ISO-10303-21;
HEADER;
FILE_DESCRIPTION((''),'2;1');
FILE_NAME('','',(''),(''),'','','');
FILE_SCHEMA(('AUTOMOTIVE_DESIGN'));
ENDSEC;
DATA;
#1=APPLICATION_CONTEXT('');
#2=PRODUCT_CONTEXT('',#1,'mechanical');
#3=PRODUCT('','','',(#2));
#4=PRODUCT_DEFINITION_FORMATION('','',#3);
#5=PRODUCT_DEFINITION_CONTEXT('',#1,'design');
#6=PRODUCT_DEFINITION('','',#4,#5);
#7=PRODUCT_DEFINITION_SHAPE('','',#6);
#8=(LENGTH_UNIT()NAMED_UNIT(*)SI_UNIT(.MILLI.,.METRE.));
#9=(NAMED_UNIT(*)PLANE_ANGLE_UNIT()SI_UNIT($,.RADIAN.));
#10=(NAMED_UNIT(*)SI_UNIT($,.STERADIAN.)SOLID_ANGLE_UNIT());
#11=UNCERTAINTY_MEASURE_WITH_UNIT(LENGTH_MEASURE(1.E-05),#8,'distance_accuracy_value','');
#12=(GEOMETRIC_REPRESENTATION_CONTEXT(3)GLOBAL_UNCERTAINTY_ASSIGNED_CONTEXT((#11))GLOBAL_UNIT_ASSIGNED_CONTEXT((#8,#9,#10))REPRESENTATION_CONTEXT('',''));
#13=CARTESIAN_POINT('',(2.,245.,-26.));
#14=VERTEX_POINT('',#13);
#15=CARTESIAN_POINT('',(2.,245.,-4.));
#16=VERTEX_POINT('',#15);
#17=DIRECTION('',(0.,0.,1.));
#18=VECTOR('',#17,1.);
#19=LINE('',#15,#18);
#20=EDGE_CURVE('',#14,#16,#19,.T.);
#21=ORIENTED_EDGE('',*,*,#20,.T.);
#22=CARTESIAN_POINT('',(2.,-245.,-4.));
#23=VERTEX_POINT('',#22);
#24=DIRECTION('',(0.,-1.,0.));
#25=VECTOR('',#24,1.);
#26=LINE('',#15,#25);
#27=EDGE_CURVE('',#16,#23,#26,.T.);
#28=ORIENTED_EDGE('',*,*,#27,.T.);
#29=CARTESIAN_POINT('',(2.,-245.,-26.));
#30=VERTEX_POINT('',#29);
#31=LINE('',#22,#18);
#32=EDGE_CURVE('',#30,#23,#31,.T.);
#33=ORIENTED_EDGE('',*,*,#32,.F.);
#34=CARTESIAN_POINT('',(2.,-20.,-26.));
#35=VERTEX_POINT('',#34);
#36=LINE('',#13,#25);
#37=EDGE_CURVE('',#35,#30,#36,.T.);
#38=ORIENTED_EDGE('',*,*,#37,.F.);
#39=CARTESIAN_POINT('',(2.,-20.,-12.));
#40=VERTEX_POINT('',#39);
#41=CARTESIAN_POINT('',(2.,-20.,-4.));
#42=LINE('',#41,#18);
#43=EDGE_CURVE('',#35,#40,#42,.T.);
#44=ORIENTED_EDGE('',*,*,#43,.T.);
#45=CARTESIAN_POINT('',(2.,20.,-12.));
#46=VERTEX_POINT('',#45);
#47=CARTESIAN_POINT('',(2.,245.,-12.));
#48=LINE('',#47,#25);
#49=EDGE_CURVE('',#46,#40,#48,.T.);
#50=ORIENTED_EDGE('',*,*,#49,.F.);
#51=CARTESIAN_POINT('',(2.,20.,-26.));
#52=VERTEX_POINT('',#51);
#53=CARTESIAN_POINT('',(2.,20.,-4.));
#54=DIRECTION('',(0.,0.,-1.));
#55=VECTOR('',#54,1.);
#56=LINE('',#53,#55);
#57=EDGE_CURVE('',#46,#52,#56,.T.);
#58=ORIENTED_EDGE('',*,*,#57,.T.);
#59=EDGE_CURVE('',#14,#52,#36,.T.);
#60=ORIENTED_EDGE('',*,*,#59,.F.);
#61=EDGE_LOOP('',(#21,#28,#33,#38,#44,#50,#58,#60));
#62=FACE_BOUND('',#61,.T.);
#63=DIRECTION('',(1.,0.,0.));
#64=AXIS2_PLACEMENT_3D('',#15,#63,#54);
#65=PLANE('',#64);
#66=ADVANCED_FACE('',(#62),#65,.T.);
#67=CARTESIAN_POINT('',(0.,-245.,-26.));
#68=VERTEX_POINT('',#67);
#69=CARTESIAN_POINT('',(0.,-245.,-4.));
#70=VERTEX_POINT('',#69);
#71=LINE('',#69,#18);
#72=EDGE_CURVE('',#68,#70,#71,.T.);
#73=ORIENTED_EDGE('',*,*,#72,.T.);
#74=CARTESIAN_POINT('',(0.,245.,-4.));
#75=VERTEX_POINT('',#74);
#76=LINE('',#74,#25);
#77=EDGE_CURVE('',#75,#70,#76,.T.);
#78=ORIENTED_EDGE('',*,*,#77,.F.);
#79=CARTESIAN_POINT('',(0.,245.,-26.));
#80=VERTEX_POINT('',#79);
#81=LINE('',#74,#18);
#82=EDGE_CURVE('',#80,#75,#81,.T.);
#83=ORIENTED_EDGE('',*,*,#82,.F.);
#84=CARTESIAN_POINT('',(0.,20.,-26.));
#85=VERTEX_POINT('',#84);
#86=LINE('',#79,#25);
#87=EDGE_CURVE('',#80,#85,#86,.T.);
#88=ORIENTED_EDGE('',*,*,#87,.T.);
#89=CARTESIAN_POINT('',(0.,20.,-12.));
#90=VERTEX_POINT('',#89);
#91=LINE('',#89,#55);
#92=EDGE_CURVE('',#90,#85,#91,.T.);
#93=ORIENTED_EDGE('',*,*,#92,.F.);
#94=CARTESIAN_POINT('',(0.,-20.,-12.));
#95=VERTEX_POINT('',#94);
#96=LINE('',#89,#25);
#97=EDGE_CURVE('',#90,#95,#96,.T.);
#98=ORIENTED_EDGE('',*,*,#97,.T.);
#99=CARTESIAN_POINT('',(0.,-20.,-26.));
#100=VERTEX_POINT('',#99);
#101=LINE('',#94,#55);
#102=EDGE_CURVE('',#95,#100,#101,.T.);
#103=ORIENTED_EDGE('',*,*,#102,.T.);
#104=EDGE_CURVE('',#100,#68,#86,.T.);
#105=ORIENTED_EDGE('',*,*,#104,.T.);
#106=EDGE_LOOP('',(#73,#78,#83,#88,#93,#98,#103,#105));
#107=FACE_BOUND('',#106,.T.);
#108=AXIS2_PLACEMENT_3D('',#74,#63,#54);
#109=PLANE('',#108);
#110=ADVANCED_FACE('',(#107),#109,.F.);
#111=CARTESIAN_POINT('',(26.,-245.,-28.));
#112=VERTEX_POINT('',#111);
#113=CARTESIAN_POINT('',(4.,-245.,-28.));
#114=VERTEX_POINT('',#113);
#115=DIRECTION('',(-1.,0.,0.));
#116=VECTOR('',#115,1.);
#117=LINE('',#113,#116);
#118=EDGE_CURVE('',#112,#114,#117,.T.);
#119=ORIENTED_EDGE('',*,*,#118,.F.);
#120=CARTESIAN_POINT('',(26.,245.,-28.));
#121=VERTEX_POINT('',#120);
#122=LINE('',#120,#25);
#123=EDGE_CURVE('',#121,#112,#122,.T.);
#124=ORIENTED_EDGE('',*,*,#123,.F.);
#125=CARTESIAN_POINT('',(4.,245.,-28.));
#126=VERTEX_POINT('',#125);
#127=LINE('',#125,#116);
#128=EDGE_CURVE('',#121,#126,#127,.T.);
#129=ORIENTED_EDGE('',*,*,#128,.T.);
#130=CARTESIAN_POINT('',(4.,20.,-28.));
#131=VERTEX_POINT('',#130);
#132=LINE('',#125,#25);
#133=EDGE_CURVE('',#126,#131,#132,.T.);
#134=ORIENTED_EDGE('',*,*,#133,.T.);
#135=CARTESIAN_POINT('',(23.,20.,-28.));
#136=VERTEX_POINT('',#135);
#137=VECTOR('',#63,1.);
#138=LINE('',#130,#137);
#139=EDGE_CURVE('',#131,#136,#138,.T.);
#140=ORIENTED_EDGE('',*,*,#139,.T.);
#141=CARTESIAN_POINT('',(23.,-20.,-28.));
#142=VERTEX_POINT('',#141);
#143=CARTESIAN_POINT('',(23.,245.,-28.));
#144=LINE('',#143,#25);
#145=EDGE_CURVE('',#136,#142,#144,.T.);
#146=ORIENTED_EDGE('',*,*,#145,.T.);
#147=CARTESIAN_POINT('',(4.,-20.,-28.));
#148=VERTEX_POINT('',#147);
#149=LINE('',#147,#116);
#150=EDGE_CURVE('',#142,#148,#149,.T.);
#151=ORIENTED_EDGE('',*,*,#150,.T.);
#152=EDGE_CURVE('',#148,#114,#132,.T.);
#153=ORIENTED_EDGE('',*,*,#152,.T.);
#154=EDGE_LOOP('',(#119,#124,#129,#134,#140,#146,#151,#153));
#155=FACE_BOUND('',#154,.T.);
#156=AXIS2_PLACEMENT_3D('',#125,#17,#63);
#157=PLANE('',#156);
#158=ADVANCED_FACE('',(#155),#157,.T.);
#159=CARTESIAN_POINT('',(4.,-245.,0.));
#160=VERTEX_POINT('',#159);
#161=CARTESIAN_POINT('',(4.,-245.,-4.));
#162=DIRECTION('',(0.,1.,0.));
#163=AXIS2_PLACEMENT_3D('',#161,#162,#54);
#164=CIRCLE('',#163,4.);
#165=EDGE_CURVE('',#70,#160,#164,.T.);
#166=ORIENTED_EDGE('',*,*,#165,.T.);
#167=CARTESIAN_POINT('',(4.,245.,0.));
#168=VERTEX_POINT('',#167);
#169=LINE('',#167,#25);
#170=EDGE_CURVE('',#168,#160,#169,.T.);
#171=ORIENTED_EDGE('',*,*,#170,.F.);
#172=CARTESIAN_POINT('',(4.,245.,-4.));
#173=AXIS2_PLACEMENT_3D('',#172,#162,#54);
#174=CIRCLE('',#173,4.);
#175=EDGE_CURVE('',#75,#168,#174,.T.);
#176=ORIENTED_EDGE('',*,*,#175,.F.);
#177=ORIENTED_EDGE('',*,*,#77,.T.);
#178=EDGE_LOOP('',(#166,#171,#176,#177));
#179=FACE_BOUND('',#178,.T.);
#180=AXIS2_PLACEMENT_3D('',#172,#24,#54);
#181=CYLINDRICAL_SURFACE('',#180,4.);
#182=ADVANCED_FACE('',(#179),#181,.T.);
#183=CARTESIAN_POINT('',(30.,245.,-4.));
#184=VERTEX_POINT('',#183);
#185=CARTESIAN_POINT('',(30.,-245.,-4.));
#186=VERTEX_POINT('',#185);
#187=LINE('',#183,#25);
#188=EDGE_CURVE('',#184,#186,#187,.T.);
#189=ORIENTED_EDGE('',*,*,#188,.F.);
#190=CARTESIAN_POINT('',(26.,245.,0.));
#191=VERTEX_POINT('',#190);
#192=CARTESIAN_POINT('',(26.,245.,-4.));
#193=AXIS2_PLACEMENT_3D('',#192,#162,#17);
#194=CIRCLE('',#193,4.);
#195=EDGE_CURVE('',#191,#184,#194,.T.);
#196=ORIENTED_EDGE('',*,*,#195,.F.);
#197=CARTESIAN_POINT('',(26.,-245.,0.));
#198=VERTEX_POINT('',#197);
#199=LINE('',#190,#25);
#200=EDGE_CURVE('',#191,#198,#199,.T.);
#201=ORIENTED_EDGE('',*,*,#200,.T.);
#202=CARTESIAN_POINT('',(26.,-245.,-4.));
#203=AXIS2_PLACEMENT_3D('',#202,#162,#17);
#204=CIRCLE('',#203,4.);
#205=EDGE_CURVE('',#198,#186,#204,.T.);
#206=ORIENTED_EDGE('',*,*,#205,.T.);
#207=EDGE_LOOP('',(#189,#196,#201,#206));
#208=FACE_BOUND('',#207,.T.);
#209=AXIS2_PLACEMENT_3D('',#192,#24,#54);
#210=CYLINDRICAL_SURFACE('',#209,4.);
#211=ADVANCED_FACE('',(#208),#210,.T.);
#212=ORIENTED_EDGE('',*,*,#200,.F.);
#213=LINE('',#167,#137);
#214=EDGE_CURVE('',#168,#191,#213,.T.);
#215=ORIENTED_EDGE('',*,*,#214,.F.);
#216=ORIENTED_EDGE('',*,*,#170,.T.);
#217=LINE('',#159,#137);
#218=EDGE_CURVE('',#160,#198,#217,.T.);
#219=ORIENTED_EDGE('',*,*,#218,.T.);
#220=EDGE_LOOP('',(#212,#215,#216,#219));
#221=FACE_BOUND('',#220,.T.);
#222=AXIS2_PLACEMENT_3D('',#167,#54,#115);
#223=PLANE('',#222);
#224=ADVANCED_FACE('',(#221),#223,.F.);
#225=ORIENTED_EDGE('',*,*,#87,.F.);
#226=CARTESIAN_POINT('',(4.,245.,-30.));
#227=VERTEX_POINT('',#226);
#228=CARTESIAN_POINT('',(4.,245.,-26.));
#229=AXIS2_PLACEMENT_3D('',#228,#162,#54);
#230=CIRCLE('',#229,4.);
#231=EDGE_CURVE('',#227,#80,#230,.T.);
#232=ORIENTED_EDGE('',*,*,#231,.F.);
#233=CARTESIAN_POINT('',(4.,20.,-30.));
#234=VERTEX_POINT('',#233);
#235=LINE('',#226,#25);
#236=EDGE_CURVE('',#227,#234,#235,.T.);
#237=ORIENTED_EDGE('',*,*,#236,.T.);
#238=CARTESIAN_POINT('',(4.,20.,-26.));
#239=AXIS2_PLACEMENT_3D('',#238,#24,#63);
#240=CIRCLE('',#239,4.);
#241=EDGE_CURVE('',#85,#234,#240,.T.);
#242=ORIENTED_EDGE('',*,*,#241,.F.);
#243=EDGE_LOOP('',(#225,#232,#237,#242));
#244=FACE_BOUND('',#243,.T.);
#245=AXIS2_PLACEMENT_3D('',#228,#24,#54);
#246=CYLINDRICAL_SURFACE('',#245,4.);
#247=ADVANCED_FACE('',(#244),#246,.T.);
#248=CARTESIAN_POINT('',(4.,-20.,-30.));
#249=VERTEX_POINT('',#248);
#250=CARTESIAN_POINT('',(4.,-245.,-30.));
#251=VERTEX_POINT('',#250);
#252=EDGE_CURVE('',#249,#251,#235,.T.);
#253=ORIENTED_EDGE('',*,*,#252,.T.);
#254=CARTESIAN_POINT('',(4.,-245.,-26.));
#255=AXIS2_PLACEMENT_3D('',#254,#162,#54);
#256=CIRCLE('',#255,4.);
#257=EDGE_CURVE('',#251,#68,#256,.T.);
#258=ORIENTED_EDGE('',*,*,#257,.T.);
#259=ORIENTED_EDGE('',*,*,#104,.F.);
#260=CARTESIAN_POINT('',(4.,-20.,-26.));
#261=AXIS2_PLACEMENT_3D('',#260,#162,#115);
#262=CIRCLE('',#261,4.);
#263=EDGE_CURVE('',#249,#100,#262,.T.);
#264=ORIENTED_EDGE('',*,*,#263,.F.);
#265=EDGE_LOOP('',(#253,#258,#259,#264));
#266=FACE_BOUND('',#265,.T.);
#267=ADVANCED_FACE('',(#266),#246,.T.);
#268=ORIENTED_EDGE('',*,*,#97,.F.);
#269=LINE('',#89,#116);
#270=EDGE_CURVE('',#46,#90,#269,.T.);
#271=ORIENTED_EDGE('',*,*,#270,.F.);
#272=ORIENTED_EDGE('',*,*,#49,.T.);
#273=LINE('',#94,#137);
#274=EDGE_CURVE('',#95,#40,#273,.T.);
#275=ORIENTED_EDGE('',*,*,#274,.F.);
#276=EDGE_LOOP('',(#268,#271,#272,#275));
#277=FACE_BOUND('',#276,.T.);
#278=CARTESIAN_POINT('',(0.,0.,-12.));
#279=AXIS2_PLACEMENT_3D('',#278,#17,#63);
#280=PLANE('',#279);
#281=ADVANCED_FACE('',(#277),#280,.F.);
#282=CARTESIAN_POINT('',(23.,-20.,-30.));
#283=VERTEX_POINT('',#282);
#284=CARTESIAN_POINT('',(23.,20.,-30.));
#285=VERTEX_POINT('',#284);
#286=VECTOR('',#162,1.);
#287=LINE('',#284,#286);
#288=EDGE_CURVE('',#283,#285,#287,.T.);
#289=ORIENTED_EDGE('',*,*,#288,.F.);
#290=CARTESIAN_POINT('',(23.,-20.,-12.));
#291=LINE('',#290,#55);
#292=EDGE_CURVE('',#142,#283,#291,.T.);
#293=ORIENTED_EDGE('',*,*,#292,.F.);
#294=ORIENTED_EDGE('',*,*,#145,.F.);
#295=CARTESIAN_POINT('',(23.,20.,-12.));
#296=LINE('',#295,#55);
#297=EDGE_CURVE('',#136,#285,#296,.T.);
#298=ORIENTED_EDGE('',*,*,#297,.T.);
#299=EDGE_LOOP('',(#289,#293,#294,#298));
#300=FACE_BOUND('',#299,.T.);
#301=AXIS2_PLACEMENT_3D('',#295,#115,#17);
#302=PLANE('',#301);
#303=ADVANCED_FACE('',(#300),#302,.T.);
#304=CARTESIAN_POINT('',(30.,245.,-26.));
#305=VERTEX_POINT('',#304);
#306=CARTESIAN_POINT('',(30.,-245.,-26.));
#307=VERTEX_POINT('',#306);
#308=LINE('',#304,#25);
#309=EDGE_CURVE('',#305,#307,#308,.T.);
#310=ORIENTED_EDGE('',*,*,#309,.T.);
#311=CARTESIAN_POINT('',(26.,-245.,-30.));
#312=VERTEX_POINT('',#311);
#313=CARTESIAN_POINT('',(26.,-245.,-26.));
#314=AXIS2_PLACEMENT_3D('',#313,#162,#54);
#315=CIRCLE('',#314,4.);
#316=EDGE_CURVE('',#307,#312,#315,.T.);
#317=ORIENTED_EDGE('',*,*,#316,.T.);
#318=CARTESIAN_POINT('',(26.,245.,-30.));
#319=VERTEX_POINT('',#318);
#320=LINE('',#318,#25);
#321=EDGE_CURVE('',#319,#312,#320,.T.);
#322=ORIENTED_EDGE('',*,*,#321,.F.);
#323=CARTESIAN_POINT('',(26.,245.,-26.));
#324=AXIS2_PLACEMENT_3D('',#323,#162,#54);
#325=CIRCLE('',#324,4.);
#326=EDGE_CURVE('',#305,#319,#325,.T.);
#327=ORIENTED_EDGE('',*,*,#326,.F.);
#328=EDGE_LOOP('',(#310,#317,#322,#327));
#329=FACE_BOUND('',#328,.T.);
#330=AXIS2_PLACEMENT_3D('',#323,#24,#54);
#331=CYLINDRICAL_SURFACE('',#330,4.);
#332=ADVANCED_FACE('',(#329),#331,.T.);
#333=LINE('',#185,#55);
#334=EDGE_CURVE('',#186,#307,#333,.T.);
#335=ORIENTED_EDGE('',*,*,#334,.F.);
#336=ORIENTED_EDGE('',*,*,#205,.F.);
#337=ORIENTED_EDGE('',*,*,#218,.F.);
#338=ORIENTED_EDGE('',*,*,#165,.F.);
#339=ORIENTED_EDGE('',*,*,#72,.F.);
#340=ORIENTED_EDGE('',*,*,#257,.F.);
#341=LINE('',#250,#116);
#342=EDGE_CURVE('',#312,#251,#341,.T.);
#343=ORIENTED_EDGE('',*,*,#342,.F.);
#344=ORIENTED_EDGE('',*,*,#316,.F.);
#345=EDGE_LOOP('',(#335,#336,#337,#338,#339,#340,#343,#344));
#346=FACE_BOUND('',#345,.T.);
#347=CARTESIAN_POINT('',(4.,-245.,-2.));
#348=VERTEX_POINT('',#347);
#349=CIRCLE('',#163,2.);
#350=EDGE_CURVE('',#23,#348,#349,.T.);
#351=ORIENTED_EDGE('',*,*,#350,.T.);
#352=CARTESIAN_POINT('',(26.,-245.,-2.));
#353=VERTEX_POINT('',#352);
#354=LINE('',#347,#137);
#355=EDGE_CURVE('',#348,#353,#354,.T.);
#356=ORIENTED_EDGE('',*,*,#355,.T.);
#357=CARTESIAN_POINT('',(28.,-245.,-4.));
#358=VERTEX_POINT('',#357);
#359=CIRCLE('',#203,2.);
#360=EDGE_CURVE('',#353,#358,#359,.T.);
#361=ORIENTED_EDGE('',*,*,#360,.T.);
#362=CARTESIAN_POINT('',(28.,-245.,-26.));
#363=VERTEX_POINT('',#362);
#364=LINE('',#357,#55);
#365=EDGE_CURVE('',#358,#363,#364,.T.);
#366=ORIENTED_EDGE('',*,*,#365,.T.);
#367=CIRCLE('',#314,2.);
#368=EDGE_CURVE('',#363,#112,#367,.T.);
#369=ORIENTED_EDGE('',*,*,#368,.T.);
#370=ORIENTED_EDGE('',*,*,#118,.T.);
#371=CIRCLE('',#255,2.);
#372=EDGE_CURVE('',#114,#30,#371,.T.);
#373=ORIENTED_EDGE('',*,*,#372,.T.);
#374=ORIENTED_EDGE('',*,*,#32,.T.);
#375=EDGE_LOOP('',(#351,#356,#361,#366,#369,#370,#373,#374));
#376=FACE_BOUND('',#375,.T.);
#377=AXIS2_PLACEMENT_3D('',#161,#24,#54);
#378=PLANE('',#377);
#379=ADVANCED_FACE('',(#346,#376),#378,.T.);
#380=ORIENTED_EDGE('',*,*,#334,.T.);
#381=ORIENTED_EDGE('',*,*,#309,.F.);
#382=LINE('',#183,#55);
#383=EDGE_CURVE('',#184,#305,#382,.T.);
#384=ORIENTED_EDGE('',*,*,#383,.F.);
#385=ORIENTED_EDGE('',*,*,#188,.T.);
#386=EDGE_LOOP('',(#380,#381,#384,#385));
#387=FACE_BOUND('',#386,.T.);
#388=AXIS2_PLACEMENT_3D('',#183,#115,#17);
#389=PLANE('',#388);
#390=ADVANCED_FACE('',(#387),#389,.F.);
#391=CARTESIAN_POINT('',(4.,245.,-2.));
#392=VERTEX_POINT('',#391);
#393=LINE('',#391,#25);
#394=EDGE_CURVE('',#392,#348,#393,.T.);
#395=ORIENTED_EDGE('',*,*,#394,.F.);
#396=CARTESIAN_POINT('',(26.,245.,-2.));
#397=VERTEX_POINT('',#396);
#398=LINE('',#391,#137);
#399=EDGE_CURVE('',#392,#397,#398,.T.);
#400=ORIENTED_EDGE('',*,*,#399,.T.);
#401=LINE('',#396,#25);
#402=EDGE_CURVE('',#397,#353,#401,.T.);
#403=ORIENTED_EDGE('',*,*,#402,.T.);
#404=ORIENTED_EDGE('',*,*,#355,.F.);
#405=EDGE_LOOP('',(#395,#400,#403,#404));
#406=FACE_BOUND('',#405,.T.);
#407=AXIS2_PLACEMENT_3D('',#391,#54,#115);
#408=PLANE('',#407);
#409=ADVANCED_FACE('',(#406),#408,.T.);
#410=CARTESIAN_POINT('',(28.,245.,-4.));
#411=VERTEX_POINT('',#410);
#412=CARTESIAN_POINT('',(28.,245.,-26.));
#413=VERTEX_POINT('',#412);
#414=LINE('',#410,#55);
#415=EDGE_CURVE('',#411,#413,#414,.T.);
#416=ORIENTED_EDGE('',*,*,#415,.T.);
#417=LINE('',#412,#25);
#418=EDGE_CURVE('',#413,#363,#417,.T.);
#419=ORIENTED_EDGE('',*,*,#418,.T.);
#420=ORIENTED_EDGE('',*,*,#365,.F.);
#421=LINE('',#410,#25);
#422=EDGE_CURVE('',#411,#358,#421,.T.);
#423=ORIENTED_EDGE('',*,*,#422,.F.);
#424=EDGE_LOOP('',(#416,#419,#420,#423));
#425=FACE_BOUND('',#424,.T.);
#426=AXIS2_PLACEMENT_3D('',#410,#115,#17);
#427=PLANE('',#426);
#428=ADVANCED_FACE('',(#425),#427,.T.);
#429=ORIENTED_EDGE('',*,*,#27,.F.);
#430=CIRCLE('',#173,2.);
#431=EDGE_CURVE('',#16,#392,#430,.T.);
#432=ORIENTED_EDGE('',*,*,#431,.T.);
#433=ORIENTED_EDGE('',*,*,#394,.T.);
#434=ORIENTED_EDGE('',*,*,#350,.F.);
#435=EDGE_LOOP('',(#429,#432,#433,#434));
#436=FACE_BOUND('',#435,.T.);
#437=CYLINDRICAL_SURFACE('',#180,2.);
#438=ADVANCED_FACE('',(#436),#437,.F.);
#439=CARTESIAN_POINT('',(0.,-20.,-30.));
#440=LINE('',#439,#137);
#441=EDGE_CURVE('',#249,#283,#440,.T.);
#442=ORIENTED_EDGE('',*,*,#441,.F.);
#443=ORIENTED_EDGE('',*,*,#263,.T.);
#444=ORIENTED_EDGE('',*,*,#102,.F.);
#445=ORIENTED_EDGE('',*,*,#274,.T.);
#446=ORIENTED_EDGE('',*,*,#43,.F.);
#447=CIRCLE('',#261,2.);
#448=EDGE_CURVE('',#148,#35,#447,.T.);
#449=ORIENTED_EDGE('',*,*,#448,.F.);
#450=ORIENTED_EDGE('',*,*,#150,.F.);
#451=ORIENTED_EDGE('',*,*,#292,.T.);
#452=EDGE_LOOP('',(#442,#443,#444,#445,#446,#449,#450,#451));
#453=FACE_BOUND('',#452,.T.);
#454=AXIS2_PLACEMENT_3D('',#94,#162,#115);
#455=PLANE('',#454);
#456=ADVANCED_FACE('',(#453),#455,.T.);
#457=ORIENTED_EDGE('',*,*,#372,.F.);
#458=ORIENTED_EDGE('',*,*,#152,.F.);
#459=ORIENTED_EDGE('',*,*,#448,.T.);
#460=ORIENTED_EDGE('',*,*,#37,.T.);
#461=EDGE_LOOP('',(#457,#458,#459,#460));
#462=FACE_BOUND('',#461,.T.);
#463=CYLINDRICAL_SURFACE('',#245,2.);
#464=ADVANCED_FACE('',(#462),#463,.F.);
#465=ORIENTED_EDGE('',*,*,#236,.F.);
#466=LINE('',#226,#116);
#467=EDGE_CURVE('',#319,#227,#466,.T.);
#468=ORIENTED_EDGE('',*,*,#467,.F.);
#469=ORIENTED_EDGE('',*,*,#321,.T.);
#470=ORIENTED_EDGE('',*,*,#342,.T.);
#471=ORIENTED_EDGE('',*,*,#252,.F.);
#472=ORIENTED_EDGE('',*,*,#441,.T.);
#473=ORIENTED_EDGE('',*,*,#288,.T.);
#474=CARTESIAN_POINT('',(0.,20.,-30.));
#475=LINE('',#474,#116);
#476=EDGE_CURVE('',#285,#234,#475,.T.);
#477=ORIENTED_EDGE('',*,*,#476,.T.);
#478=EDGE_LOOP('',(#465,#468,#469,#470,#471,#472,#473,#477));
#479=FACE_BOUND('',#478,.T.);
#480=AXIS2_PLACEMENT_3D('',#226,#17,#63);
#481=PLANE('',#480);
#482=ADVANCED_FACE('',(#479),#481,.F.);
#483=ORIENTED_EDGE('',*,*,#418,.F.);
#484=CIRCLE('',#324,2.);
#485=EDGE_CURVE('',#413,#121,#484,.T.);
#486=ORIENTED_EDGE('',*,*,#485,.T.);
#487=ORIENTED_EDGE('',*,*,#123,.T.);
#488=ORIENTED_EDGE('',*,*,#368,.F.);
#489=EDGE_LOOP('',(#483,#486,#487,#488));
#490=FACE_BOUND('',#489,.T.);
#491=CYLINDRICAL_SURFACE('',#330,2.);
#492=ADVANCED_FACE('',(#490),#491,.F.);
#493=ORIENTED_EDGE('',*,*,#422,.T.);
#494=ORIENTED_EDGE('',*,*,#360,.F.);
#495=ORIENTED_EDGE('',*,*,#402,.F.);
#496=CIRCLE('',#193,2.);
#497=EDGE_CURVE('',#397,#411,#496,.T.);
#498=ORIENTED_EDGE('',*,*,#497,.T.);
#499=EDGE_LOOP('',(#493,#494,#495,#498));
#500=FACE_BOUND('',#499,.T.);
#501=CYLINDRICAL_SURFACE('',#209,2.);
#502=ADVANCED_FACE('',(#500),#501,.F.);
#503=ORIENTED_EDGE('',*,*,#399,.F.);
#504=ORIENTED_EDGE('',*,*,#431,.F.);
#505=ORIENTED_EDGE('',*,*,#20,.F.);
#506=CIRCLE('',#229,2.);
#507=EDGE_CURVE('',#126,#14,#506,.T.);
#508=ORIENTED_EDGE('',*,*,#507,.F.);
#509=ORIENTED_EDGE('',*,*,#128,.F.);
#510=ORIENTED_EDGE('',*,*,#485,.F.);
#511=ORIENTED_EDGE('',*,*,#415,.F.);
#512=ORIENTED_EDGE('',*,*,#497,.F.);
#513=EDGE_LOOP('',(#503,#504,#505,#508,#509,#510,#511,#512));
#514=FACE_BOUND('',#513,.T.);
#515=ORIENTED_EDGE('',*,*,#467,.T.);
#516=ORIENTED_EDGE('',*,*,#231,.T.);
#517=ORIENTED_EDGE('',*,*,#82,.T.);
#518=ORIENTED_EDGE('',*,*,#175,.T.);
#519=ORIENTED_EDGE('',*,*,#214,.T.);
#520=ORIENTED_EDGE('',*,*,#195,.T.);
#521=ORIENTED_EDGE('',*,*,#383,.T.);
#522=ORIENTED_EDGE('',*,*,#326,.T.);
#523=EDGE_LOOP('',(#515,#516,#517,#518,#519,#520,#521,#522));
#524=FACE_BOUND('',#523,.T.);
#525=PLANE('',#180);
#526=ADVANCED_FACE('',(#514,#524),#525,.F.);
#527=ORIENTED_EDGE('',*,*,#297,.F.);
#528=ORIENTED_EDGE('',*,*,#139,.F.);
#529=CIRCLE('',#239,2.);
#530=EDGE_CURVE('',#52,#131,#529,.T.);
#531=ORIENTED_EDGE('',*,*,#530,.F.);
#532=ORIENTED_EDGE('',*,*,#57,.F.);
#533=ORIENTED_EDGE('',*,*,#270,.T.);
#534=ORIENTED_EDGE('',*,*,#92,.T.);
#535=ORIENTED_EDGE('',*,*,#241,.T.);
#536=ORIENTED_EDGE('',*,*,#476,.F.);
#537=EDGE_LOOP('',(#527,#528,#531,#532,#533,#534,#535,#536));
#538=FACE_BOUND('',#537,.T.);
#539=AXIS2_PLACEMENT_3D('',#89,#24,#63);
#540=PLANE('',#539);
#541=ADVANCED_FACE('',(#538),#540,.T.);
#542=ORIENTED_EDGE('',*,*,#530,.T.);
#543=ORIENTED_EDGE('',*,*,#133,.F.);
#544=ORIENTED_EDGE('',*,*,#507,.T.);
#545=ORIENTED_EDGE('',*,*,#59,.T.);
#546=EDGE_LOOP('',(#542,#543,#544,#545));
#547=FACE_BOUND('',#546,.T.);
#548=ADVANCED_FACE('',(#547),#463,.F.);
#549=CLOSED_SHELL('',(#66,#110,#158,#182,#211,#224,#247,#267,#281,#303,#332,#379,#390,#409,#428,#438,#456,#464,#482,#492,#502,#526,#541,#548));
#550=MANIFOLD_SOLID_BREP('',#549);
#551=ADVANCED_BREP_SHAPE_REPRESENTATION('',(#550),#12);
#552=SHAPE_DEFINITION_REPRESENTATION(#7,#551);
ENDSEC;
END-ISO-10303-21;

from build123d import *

# Parameters (mm, degrees)
EXTRUDE_1_DEPTH     = 245
SKETCH_2_W          = 23
SKETCH_2_H          = 40
CUT_EXTRUDE_1_DEPTH = 18


with BuildPart() as part:
    # 草图1 → 凸台-拉伸1 (new, symmetric)
    with BuildSketch(Plane(origin=(0, 0, 0), x_dir=(1, 0, 0), z_dir=(0, 1, 0))):
        with BuildLine():
            Line((4, 0), (26, 0))
            ThreePointArc((26, 0), (28.828427125, 1.171572875), (30, 4))
            Line((30, 4), (30, 26))
            ThreePointArc((30, 26), (28.828427125, 28.828427125), (26, 30))
            Line((26, 30), (4, 30))
            ThreePointArc((4, 30), (1.171572875, 28.828427125), (0, 26))
            Line((0, 26), (0, 4))
            ThreePointArc((0, 4), (1.171572875, 1.171572875), (4, 0))
        make_face()
        with BuildLine():
            Line((4, 2), (26, 2))
            ThreePointArc((26, 2), (27.414213562, 2.585786438), (28, 4))
            Line((28, 4), (28, 26))
            ThreePointArc((28, 26), (27.414213562, 27.414213562), (26, 28))
            Line((26, 28), (4, 28))
            ThreePointArc((4, 28), (2.585786438, 27.414213562), (2, 26))
            Line((2, 26), (2, 4))
            ThreePointArc((2, 4), (2.585786438, 2.585786438), (4, 2))
        make_face(mode=Mode.SUBTRACT)
    extrude(amount=EXTRUDE_1_DEPTH, both=True)

    # 草图2 → 切除-拉伸1 (cut)
    with BuildSketch(Plane.XY.offset(-30)):
        with Locations((11.5, 0)):
            Rectangle(SKETCH_2_W, SKETCH_2_H)
    extrude(amount=CUT_EXTRUDE_1_DEPTH, mode=Mode.SUBTRACT)


solid = part.part
